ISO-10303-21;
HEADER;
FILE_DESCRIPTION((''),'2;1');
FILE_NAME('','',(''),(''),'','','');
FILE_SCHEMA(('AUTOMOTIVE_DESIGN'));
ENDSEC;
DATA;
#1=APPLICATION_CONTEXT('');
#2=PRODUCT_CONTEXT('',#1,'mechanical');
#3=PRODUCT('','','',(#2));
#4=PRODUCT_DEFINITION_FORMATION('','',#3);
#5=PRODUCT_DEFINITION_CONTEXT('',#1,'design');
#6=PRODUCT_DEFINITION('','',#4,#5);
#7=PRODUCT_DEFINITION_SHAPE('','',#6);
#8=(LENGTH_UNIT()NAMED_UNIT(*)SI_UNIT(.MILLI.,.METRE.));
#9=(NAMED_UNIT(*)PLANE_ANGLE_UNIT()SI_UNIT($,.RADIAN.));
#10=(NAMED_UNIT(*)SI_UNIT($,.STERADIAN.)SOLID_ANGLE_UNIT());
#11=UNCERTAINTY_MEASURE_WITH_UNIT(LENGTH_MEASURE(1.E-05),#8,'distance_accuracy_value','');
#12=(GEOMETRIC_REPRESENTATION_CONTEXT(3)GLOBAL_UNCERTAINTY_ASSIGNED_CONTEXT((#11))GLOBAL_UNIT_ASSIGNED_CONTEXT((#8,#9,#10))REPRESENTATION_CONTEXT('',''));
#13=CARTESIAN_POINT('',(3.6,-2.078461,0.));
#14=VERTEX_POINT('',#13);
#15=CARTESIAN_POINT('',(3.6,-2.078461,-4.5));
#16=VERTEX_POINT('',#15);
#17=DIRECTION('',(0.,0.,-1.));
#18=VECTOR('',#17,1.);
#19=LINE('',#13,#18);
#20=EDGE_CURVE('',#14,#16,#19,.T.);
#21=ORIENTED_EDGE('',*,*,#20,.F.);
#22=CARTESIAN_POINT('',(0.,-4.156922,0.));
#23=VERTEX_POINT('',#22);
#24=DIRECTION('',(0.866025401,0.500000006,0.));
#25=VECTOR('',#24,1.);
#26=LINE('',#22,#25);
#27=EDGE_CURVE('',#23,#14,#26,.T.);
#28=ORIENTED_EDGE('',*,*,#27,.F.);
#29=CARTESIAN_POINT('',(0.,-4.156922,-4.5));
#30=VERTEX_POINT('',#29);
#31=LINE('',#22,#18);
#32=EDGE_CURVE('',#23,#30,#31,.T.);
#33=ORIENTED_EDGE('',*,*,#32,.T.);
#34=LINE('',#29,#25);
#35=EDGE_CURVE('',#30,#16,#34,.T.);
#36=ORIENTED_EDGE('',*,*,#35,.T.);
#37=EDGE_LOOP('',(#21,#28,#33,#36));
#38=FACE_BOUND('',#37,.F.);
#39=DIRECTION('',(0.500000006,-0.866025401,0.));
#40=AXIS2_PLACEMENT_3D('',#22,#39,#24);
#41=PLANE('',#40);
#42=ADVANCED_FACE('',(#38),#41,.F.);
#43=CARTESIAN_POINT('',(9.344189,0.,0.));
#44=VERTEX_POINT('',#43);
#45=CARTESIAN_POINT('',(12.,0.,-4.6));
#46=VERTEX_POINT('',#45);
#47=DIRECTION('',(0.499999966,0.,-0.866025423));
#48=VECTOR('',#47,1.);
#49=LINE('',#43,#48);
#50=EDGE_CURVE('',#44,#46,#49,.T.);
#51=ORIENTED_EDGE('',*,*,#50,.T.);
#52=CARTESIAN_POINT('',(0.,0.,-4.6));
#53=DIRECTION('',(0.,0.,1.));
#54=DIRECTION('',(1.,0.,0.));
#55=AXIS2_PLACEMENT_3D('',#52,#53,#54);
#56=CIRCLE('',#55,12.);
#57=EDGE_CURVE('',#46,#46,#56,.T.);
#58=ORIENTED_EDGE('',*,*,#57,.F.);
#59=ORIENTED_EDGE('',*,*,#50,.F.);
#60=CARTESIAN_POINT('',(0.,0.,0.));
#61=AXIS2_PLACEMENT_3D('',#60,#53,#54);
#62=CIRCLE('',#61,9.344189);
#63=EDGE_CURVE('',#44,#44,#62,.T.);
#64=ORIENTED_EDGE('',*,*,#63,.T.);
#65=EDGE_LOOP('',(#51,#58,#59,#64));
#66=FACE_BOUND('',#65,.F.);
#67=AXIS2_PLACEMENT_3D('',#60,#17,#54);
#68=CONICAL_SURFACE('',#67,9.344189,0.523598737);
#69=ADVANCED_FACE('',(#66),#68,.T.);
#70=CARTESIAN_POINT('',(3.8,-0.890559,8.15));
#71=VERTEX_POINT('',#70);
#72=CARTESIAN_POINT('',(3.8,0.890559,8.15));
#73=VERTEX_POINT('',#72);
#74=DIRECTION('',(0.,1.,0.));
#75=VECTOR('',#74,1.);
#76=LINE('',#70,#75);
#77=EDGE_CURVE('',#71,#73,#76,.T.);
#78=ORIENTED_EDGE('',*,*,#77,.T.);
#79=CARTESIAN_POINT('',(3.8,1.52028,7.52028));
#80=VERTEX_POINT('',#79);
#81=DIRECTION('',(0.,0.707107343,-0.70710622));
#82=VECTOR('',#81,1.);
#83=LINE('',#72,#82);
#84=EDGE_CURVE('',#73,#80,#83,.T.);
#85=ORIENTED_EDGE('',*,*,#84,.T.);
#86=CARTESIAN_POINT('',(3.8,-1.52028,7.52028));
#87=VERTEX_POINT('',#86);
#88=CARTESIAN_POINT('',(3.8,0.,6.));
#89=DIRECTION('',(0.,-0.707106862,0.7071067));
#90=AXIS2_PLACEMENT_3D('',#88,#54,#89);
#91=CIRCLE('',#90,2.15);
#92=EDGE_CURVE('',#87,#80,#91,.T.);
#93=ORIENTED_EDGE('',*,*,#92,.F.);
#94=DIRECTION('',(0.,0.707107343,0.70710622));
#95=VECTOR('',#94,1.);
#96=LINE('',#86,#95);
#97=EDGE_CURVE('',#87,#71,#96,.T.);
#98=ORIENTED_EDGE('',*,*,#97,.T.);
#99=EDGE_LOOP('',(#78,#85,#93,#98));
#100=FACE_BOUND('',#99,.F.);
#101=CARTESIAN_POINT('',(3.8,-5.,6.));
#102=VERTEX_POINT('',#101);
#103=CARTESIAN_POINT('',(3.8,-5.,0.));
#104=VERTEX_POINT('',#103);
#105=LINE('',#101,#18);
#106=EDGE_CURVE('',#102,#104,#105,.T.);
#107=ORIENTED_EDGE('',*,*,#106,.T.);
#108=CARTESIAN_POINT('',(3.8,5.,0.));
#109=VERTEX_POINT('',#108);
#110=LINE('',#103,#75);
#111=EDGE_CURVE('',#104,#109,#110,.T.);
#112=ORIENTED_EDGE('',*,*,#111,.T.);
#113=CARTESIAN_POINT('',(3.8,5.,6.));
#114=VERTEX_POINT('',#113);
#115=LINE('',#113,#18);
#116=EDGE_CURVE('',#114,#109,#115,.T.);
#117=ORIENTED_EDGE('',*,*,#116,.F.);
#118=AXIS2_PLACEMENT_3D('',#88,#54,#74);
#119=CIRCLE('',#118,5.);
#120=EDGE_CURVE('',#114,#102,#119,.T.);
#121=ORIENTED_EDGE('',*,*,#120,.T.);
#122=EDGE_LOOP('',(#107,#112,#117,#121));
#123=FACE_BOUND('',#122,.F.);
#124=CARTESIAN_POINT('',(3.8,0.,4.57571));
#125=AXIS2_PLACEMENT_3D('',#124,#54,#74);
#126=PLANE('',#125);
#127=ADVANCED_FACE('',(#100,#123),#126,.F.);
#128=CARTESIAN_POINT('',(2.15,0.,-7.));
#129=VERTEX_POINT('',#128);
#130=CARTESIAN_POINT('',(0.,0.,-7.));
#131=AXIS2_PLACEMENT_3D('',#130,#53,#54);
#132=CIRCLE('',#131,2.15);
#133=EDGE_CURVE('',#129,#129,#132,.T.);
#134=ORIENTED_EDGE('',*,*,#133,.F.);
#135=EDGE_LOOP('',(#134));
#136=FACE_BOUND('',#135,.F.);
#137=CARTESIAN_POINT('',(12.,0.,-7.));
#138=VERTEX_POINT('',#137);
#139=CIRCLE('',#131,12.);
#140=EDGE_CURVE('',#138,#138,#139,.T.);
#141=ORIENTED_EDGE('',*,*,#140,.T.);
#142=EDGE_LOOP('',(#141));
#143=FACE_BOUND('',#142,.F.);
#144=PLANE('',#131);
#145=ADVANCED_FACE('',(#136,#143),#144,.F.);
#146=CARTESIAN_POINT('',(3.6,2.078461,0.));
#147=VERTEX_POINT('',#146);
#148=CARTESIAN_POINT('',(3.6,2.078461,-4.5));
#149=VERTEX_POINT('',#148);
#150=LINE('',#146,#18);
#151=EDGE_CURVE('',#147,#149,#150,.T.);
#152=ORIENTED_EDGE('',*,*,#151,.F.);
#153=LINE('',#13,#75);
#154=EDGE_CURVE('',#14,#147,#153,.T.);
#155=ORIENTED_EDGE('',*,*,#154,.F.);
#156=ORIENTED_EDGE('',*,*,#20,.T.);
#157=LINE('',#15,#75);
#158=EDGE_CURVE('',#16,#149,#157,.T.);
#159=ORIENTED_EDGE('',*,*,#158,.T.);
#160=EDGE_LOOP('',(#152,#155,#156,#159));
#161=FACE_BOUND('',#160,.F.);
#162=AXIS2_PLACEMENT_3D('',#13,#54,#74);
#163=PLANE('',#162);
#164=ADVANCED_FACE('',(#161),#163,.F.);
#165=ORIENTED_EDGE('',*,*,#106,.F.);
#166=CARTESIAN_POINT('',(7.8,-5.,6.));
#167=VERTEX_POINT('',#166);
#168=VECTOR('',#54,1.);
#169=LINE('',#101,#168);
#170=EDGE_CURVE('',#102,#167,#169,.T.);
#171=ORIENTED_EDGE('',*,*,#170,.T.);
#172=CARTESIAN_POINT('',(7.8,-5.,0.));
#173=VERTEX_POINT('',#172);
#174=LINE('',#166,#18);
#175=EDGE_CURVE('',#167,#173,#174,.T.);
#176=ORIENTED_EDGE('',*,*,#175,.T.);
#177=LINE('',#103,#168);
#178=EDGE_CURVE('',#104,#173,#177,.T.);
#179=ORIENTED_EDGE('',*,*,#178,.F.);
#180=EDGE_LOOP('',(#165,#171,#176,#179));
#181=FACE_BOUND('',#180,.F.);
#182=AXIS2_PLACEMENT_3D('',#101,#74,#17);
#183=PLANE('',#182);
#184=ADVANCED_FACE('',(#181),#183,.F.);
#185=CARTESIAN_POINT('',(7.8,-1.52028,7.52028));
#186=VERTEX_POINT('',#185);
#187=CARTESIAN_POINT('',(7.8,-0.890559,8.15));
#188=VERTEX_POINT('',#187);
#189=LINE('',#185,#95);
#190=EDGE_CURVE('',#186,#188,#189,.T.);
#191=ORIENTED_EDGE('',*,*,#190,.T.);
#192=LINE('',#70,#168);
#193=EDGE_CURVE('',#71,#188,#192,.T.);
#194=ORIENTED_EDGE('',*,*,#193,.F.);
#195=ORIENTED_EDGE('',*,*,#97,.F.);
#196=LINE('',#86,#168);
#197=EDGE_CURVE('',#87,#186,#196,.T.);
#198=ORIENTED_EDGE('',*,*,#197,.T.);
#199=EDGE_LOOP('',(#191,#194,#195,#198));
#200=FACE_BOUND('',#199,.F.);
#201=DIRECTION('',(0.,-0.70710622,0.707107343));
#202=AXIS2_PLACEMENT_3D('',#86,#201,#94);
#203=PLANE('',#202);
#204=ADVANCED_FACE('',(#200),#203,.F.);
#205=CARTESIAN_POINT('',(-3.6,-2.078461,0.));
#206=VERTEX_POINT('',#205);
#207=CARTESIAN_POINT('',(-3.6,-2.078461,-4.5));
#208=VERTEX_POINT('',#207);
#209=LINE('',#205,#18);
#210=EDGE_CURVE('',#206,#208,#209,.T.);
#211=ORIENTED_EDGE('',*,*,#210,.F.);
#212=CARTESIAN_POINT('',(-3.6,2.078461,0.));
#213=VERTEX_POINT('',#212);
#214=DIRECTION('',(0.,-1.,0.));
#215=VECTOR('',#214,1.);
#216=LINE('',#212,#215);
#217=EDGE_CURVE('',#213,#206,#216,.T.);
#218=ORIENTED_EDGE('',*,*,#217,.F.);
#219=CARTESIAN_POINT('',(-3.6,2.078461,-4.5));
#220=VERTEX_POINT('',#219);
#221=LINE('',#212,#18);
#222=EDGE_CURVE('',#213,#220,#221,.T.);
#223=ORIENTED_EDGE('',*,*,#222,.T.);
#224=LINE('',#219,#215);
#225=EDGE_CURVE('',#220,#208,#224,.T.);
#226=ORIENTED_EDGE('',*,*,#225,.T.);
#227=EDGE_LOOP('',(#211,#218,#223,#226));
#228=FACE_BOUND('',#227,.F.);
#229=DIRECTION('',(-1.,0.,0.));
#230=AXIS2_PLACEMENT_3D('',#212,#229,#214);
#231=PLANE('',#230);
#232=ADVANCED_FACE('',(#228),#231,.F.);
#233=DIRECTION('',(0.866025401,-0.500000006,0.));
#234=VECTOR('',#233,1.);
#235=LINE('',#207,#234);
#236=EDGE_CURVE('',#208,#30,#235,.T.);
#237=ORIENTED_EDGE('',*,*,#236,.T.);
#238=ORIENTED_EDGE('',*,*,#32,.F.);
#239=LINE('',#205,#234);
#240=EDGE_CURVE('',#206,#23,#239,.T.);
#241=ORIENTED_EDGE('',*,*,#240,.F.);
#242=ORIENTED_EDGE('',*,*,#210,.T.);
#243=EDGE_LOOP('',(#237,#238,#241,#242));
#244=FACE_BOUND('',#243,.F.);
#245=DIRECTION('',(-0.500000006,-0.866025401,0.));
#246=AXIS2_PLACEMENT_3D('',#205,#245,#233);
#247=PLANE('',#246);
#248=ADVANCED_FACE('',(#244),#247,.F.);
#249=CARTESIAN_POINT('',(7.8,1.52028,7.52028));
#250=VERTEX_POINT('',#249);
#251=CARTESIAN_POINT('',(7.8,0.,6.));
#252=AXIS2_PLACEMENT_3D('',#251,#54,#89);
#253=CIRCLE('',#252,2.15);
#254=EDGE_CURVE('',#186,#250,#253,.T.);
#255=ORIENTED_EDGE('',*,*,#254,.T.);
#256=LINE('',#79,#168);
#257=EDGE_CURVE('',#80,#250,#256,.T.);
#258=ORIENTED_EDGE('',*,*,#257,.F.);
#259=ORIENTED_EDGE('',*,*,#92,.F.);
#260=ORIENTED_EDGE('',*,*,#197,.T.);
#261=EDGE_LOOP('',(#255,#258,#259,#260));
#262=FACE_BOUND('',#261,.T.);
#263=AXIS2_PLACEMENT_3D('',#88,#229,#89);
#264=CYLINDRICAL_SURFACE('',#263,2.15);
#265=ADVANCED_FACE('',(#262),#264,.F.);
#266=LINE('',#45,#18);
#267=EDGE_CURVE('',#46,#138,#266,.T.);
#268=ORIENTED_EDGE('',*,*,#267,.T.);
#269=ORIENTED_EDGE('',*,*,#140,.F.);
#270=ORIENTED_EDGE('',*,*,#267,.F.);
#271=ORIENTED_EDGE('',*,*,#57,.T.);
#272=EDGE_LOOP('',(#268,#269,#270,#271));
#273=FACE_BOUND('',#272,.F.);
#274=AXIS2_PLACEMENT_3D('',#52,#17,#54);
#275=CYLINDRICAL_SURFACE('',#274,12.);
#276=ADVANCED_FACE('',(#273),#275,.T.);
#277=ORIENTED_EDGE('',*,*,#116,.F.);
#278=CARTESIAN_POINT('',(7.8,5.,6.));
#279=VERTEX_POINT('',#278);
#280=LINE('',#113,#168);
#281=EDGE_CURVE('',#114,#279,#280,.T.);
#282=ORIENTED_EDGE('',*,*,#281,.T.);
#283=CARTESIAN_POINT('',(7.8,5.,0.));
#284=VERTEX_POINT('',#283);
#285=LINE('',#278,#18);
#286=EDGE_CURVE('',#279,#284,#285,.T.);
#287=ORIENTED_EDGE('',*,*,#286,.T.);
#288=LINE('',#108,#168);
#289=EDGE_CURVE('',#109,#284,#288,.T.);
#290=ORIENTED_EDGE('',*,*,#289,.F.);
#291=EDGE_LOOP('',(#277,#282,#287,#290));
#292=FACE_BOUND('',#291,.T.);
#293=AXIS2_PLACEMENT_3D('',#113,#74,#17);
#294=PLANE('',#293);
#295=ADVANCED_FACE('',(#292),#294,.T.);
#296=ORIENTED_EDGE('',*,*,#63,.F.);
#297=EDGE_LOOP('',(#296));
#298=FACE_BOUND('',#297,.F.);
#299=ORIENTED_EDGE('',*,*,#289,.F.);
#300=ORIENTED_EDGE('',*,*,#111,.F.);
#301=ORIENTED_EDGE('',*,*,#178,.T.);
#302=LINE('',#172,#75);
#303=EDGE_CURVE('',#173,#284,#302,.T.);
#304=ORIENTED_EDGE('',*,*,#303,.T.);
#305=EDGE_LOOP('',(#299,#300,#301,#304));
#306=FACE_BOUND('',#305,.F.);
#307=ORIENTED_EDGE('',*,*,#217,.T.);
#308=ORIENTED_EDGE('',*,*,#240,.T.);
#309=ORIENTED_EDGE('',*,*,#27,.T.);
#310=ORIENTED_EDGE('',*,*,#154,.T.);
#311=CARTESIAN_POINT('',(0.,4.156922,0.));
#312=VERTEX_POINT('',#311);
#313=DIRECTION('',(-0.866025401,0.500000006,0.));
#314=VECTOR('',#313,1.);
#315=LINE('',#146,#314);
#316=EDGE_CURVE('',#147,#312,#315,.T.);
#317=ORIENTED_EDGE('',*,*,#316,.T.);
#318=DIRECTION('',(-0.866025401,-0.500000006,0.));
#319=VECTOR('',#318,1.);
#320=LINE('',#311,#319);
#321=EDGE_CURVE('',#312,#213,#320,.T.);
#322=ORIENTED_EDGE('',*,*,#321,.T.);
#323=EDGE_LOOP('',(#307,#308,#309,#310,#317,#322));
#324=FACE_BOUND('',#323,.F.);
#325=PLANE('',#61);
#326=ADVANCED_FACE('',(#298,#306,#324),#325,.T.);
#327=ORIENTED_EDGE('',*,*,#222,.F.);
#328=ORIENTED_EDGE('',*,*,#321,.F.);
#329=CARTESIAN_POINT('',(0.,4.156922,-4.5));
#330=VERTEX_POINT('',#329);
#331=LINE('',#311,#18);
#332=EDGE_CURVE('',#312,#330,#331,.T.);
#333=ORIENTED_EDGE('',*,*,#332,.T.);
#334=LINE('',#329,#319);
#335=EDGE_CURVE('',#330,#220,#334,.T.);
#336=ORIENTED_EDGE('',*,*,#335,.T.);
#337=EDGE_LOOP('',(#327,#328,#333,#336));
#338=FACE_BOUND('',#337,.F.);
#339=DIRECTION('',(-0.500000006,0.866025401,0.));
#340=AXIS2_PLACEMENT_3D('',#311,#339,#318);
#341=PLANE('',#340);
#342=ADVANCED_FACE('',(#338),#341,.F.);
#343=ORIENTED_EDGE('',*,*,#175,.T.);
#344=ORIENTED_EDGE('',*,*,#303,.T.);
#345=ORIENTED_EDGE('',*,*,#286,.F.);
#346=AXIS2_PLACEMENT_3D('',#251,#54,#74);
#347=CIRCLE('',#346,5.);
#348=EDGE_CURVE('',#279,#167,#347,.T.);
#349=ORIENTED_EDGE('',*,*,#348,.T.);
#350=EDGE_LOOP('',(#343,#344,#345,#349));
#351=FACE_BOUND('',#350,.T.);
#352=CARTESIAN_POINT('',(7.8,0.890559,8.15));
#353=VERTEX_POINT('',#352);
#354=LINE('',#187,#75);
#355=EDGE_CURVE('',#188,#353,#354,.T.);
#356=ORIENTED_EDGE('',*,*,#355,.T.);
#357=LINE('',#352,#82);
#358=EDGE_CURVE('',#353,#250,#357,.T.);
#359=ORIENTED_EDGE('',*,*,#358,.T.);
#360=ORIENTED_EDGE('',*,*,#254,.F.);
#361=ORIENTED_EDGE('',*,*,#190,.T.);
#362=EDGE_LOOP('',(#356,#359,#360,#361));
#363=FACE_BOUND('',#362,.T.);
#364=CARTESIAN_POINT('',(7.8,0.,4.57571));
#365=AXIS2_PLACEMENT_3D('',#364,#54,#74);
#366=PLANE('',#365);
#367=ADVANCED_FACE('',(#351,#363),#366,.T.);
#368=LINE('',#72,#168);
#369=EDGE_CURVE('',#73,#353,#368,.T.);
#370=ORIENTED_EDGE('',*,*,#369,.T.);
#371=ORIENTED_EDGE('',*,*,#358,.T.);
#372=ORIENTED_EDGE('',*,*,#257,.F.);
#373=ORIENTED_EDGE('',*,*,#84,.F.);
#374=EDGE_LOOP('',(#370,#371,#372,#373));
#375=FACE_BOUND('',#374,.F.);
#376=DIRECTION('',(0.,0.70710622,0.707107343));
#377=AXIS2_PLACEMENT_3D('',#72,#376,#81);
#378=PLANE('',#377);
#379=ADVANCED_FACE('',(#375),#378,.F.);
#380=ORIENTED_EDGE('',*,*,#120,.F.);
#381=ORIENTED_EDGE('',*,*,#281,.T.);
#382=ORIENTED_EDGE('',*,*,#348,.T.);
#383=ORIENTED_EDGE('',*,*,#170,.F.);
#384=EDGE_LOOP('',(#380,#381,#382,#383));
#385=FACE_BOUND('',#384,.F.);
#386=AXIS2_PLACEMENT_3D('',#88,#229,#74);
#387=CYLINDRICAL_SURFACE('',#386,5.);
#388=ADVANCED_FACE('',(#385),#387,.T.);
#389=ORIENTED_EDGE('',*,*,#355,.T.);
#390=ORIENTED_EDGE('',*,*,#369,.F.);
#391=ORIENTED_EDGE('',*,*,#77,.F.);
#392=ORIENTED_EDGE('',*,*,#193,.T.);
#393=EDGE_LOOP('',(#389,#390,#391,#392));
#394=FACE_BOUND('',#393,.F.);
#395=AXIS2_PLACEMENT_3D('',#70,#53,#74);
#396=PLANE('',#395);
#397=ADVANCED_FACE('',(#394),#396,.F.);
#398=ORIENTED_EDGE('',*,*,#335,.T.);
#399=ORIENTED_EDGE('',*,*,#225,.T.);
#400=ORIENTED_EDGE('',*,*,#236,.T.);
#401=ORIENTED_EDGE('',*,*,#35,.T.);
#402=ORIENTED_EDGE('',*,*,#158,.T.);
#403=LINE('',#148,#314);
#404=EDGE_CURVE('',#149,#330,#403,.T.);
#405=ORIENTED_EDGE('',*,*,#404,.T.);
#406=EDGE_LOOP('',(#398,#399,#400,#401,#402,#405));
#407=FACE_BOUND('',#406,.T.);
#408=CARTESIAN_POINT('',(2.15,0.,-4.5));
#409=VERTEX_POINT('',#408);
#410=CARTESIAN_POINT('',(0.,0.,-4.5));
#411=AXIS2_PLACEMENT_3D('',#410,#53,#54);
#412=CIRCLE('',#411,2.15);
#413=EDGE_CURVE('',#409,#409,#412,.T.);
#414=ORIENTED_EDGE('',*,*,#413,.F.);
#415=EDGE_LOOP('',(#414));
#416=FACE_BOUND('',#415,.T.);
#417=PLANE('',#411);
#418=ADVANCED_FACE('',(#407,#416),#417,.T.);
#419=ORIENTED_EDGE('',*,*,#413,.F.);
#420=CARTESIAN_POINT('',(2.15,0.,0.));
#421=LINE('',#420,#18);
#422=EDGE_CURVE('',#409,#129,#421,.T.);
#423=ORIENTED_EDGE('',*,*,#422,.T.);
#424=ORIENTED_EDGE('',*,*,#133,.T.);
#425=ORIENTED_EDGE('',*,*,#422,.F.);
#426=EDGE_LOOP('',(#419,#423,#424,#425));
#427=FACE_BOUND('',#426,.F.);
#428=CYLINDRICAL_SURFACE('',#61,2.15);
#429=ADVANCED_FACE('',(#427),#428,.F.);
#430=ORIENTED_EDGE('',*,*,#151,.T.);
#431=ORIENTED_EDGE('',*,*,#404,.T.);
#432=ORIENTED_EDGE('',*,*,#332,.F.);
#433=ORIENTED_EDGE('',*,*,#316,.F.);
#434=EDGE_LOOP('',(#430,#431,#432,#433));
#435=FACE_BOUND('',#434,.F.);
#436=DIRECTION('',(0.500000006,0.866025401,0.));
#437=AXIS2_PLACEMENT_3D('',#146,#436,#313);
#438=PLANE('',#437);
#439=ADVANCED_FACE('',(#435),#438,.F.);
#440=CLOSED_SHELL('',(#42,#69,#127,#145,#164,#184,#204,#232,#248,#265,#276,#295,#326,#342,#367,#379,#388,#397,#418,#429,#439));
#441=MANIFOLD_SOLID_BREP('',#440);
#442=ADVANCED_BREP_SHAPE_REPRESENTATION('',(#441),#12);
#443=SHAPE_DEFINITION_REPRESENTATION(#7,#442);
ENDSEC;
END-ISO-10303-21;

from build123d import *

# Parameters (mm, degrees)
PAD_DEPTH       = 4
POCKET_DEPTH    = 4.5
SKETCH003_R     = 2.15
POCKET001_DEPTH = 7.001


with BuildPart() as part:
    # Sketch → Revolution (revolve)
    with BuildSketch(Plane.XZ):
        Polygon((0, 0), (9.344189, 0), (12, -4.6), (12, -7), (0, -7), align=None)
    revolve(axis=Axis((0, 0, 0), (0, 0, 1)))

    # Sketch002 → Pad (new body)
    with BuildSketch(Plane.YZ.offset(3.8)):
        with BuildLine():
            ThreePointArc((5, 6), (0, 11), (-5, 6))
            Line((-5, 6), (-5, 0))
            Line((-5, 0), (5, 0))
            Line((5, 6), (5, 0))
        make_face()
        with BuildLine():
            Line((-1.52028, 7.52028), (-0.890559, 8.15))
            Line((-0.890559, 8.15), (0.890559, 8.15))
            Line((0.890559, 8.15), (1.52028, 7.52028))
            ThreePointArc((-1.52028, 7.52028), (0, 3.85), (1.52028, 7.52028))
        make_face(mode=Mode.SUBTRACT)
    extrude(amount=PAD_DEPTH)

    # Sketch001 → Pocket (cut)
    with BuildSketch(Plane.XY):
        Polygon((3.6, 2.078461), (0, 4.156922), (-3.6, 2.078461), (-3.6, -2.078461), (0, -4.156922), (3.6, -2.078461), align=None)
    extrude(amount=-POCKET_DEPTH, mode=Mode.SUBTRACT)

    # Sketch003 → Pocket001 (cut, through all)
    with BuildSketch(Plane.XY):
        Circle(SKETCH003_R)
    extrude(amount=-POCKET001_DEPTH, mode=Mode.SUBTRACT)


solid = part.part
